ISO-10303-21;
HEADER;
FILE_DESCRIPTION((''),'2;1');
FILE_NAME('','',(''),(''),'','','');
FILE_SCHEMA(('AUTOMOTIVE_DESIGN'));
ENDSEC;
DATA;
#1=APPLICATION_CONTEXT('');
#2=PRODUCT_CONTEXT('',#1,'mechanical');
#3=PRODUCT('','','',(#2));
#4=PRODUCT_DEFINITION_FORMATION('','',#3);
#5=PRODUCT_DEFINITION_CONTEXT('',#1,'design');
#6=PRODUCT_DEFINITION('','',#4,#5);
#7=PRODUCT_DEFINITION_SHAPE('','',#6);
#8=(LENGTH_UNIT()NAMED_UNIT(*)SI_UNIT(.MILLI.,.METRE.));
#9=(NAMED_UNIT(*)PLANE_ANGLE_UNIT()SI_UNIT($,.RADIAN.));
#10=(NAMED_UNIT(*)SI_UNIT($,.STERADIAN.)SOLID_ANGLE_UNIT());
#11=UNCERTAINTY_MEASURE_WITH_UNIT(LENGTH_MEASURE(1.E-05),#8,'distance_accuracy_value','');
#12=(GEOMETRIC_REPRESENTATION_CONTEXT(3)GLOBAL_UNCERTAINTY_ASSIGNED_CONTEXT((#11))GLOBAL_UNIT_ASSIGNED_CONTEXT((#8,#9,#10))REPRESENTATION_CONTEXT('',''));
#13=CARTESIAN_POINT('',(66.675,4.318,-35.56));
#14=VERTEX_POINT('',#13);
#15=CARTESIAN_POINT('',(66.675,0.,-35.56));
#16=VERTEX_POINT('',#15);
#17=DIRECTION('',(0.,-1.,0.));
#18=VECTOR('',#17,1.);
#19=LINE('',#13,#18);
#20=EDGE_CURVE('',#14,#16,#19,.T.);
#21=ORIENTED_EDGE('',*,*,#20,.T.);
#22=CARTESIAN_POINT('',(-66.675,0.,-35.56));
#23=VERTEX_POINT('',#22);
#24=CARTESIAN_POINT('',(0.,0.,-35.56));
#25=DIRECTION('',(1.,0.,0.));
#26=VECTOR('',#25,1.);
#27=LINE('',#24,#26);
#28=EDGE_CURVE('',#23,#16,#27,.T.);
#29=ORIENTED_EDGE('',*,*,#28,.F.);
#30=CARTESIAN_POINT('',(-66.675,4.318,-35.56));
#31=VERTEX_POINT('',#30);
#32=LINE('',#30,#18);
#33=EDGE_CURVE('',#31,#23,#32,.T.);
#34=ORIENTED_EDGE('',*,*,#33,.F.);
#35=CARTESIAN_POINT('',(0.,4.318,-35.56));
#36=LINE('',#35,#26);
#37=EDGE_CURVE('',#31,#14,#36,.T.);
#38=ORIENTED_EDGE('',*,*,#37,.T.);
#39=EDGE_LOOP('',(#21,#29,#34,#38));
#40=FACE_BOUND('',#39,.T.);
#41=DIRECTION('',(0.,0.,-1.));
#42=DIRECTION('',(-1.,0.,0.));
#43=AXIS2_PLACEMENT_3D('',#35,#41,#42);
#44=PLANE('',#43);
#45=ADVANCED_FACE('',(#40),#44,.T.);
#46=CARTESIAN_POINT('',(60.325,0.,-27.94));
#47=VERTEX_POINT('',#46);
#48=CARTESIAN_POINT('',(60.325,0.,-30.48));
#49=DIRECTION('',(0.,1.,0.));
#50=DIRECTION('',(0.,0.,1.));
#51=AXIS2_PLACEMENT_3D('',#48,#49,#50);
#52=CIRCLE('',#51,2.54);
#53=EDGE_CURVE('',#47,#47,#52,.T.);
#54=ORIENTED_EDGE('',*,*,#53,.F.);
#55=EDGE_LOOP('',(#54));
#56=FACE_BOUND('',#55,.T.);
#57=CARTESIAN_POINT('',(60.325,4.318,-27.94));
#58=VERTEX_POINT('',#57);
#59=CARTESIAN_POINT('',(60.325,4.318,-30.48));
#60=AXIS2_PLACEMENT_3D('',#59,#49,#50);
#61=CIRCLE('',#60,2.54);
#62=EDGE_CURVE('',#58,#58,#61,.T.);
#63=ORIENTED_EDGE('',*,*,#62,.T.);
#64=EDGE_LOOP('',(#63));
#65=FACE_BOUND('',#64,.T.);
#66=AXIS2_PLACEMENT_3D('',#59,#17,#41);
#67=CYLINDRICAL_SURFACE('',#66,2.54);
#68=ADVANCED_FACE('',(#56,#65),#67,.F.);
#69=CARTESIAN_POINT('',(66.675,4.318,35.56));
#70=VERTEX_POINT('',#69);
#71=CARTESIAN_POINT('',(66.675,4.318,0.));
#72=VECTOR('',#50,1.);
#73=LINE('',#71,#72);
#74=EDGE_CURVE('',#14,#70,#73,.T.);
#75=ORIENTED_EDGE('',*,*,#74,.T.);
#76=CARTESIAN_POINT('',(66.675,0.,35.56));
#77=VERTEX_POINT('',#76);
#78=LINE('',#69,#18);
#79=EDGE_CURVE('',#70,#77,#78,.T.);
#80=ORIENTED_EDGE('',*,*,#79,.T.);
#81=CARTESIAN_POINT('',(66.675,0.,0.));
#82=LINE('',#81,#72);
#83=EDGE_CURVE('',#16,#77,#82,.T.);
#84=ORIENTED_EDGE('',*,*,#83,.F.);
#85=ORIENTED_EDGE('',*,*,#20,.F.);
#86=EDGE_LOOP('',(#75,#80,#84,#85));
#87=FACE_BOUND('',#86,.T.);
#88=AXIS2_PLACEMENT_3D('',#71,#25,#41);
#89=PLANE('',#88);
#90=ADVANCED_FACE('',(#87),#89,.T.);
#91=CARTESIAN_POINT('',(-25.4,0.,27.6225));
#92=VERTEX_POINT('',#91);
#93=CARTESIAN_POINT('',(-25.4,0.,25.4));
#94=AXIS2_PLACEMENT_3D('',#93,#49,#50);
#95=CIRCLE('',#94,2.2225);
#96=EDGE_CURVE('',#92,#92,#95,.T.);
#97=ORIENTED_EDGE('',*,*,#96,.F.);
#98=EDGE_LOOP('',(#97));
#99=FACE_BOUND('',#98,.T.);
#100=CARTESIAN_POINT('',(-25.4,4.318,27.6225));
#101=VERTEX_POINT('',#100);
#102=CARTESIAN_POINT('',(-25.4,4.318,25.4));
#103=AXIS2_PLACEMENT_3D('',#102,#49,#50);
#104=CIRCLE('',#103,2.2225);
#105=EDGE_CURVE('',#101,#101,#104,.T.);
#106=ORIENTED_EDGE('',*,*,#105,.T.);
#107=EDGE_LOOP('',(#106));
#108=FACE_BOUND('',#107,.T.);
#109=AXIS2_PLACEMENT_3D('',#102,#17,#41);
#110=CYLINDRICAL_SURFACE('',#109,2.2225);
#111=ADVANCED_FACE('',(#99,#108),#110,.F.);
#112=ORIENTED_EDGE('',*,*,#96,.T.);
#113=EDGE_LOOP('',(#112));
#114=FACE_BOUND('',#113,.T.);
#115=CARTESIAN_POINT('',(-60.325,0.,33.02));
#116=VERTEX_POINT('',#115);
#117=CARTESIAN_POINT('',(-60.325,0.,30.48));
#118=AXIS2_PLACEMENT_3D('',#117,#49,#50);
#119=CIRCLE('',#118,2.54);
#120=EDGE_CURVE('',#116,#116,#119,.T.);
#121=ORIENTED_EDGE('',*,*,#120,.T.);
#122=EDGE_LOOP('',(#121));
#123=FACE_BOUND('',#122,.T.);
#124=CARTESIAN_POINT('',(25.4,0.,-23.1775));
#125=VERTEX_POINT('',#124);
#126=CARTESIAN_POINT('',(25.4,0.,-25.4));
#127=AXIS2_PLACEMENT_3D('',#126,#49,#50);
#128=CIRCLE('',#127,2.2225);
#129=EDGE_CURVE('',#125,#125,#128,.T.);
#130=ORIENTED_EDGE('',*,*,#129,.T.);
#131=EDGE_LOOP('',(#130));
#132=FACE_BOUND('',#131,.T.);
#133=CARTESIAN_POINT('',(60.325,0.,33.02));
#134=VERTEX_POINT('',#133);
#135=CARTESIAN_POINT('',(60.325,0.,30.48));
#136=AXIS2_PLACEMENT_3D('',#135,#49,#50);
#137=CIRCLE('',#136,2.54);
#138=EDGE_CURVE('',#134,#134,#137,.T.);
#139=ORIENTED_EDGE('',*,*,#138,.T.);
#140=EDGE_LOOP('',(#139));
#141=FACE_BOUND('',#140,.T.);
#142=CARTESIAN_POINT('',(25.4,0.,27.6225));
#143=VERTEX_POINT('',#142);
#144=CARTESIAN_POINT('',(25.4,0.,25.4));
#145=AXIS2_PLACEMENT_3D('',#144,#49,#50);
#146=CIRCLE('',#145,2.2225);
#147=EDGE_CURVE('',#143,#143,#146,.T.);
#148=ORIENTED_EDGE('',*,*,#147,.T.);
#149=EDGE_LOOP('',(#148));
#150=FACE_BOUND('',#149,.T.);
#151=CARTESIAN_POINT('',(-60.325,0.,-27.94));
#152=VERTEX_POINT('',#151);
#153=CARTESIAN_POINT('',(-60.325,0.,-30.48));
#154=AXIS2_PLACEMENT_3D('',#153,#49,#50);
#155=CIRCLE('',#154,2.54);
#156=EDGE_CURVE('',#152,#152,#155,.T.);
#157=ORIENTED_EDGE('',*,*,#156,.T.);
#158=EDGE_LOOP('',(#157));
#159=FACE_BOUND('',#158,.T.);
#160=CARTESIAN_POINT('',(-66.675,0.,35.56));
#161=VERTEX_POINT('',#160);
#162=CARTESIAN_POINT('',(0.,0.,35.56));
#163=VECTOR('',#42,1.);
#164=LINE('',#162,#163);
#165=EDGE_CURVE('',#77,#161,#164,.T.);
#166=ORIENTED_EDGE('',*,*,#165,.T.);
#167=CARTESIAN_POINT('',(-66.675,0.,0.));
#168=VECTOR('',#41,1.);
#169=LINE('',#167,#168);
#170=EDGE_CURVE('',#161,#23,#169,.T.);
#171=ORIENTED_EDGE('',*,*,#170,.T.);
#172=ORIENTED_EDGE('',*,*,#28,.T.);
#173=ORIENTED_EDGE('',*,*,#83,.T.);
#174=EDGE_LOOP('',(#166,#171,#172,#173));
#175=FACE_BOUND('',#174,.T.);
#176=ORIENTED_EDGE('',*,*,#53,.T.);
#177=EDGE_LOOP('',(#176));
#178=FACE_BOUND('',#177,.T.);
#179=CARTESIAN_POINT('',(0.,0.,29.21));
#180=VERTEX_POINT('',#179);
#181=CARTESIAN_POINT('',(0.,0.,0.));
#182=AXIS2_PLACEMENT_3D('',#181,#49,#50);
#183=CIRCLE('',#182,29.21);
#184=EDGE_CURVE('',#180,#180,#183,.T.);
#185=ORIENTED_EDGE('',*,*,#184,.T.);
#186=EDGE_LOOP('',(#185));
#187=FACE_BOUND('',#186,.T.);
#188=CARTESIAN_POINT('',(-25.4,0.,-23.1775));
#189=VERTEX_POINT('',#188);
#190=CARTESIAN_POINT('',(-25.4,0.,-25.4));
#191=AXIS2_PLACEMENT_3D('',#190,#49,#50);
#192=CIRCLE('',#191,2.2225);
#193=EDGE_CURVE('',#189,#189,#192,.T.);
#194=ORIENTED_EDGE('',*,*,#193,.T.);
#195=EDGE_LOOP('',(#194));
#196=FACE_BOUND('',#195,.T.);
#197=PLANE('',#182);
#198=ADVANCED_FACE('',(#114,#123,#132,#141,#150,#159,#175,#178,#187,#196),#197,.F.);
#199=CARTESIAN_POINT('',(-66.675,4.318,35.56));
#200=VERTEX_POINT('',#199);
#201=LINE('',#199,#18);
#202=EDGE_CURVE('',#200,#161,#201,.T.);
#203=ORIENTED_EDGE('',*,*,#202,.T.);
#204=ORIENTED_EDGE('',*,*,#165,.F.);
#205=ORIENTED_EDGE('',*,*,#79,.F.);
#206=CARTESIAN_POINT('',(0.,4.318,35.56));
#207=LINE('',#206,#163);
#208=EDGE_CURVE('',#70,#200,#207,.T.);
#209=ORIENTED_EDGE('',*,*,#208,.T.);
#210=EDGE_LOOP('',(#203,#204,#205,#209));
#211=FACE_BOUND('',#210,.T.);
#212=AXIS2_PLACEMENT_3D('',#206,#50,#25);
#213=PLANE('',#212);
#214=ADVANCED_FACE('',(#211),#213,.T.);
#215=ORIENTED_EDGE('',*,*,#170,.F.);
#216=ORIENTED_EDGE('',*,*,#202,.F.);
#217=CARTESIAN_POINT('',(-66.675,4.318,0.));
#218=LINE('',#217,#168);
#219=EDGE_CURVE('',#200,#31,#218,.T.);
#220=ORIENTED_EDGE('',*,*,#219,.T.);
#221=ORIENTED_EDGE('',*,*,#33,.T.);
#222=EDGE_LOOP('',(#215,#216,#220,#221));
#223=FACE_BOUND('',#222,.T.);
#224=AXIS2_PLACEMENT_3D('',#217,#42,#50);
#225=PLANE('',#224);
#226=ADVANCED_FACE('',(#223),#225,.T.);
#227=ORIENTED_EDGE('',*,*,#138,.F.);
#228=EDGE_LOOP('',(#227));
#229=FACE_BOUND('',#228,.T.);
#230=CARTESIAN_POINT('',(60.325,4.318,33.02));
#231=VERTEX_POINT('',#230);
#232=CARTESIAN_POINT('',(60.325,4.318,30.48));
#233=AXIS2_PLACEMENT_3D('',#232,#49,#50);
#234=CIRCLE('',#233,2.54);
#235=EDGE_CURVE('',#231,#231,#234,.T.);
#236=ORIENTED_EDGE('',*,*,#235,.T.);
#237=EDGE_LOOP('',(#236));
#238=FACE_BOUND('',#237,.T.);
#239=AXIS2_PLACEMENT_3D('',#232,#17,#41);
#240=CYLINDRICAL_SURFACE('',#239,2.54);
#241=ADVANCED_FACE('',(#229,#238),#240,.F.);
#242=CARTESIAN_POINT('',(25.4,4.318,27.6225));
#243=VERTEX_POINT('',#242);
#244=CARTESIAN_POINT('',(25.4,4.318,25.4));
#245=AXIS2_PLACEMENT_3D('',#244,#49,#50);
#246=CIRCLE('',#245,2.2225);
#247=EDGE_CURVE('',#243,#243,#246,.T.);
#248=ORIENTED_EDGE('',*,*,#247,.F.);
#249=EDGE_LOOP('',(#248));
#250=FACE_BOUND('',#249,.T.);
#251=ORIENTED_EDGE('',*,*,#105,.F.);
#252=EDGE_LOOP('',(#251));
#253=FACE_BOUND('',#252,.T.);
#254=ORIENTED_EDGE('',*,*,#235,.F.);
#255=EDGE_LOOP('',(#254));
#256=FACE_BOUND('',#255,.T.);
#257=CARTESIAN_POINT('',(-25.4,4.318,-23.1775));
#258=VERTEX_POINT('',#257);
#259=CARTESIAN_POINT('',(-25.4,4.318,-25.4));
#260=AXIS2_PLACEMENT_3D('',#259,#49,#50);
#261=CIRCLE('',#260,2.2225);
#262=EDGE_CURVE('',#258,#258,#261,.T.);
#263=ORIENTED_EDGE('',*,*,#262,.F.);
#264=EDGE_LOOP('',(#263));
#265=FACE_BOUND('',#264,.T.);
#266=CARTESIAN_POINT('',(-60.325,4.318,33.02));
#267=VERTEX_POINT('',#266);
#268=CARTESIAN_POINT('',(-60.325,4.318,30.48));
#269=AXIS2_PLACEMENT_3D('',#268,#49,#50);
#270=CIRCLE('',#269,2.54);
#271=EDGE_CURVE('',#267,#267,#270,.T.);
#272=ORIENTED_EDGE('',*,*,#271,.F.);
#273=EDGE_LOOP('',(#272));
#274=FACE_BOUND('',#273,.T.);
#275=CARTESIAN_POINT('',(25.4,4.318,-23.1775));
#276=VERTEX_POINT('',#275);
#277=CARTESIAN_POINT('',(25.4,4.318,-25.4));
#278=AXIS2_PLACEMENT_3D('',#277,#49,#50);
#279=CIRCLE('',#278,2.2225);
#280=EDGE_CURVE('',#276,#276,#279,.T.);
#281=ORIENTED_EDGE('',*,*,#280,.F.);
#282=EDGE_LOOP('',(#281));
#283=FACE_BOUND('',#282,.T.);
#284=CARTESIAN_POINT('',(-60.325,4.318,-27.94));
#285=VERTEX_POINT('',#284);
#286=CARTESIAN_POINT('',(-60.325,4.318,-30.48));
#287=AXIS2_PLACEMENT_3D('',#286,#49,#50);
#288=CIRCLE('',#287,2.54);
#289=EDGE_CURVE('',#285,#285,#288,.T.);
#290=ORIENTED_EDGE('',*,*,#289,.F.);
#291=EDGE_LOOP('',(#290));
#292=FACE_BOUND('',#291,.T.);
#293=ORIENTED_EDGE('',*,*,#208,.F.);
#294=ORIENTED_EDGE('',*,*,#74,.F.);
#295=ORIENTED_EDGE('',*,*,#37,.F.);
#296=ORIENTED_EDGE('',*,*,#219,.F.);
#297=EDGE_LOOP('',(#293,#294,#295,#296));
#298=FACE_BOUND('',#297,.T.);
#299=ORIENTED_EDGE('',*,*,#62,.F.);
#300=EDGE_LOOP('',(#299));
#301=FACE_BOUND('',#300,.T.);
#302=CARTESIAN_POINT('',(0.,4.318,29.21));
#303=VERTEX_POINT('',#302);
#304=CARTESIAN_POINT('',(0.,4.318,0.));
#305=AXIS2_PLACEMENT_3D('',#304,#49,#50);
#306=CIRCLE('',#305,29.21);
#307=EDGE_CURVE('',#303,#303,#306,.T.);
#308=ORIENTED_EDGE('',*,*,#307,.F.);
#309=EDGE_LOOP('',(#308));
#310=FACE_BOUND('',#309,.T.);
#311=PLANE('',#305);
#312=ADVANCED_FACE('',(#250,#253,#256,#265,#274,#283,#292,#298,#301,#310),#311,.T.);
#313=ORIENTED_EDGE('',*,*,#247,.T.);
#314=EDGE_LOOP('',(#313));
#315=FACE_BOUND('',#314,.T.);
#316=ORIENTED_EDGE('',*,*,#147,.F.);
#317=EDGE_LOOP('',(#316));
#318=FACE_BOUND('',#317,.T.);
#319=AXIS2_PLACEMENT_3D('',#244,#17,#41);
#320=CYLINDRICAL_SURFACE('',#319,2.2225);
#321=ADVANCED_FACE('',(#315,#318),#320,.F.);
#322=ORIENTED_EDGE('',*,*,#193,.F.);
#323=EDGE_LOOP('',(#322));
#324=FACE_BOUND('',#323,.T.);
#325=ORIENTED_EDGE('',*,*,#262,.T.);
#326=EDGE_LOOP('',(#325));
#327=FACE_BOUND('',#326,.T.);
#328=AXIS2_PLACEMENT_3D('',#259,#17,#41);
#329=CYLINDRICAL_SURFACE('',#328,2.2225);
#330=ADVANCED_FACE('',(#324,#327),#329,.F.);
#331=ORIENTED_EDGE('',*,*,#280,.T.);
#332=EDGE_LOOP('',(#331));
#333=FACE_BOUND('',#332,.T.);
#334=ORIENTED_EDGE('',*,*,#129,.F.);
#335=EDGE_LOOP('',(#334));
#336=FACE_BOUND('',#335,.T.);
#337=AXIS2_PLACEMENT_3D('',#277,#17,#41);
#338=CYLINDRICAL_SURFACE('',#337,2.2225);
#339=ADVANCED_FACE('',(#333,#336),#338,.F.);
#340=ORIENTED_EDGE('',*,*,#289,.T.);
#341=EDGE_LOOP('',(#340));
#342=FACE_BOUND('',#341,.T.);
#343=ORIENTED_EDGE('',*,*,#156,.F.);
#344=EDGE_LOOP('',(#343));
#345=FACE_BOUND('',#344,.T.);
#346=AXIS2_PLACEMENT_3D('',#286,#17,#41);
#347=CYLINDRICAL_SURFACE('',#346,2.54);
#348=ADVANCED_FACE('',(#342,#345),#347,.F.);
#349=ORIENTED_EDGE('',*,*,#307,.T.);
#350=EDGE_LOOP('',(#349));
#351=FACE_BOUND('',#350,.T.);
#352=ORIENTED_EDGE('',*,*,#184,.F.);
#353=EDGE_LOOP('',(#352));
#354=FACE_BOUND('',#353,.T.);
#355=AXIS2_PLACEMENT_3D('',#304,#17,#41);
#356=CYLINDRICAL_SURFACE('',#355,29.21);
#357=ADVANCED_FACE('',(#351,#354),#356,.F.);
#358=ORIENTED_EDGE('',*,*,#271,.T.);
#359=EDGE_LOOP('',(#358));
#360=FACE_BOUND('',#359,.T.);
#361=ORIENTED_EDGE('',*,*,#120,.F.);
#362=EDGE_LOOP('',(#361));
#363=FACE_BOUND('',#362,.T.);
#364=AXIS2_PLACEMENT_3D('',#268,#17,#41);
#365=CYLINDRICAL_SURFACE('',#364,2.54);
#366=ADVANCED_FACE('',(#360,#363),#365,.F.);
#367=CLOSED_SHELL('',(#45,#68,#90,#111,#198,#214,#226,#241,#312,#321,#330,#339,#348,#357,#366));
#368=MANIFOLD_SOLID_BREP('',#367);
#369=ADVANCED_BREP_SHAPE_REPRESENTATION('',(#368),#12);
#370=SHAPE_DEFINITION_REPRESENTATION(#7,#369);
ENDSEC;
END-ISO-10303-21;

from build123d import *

# Parameters (mm, degrees)
SKETCH1_R           = 2.2225
BOSS_EXTRUDE1_DEPTH = 4.318


with BuildPart() as part:
    # Sketch1 → Boss-Extrude1 (new body)
    with BuildSketch(Plane(origin=(0, 0, 0), x_dir=(1, 0, 0), z_dir=(0, 1, 0))):
        Polygon((66.675, 35.56), (0, 35.56), (-66.675, 35.56), (-66.675, -35.56), (66.675, -35.56), align=None)
        with BuildLine():
            ThreePointArc((-57.785, -30.48), (-62.121051224, -32.276051224), (-60.325, -27.94))
            ThreePointArc((-60.325, -27.94), (-58.528948776, -28.683948776), (-57.785, -30.48))
        make_face(mode=Mode.SUBTRACT)
        with Locations((-25.4, -25.4)):
            Circle(SKETCH1_R, mode=Mode.SUBTRACT)
        with Locations((25.4, -25.4)):
            Circle(SKETCH1_R, mode=Mode.SUBTRACT)
        with BuildLine():
            ThreePointArc((62.865, -30.48), (58.528948776, -32.276051224), (60.325, -27.94))
            ThreePointArc((60.325, -27.94), (62.121051224, -28.683948776), (62.865, -30.48))
        make_face(mode=Mode.SUBTRACT)
        with BuildLine():
            ThreePointArc((29.21, 0), (0, -29.21), (-29.21, 0))
            ThreePointArc((-29.21, 0), (0, 29.21), (29.21, 0))
        make_face(mode=Mode.SUBTRACT)
        with BuildLine():
            ThreePointArc((-57.785, 30.48), (-58.528948776, 28.683948776), (-60.325, 27.94))
            ThreePointArc((-60.325, 27.94), (-62.121051224, 32.276051224), (-57.785, 30.48))
        make_face(mode=Mode.SUBTRACT)
        with Locations((-25.4, 25.4)):
            Circle(SKETCH1_R, mode=Mode.SUBTRACT)
        with Locations((25.4, 25.4)):
            Circle(SKETCH1_R, mode=Mode.SUBTRACT)
        with BuildLine():
            ThreePointArc((62.865, 30.48), (62.121051224, 28.683948776), (60.325, 27.94))
            ThreePointArc((60.325, 27.94), (58.528948776, 32.276051224), (62.865, 30.48))
        make_face(mode=Mode.SUBTRACT)
    extrude(amount=BOSS_EXTRUDE1_DEPTH)


solid = part.part
